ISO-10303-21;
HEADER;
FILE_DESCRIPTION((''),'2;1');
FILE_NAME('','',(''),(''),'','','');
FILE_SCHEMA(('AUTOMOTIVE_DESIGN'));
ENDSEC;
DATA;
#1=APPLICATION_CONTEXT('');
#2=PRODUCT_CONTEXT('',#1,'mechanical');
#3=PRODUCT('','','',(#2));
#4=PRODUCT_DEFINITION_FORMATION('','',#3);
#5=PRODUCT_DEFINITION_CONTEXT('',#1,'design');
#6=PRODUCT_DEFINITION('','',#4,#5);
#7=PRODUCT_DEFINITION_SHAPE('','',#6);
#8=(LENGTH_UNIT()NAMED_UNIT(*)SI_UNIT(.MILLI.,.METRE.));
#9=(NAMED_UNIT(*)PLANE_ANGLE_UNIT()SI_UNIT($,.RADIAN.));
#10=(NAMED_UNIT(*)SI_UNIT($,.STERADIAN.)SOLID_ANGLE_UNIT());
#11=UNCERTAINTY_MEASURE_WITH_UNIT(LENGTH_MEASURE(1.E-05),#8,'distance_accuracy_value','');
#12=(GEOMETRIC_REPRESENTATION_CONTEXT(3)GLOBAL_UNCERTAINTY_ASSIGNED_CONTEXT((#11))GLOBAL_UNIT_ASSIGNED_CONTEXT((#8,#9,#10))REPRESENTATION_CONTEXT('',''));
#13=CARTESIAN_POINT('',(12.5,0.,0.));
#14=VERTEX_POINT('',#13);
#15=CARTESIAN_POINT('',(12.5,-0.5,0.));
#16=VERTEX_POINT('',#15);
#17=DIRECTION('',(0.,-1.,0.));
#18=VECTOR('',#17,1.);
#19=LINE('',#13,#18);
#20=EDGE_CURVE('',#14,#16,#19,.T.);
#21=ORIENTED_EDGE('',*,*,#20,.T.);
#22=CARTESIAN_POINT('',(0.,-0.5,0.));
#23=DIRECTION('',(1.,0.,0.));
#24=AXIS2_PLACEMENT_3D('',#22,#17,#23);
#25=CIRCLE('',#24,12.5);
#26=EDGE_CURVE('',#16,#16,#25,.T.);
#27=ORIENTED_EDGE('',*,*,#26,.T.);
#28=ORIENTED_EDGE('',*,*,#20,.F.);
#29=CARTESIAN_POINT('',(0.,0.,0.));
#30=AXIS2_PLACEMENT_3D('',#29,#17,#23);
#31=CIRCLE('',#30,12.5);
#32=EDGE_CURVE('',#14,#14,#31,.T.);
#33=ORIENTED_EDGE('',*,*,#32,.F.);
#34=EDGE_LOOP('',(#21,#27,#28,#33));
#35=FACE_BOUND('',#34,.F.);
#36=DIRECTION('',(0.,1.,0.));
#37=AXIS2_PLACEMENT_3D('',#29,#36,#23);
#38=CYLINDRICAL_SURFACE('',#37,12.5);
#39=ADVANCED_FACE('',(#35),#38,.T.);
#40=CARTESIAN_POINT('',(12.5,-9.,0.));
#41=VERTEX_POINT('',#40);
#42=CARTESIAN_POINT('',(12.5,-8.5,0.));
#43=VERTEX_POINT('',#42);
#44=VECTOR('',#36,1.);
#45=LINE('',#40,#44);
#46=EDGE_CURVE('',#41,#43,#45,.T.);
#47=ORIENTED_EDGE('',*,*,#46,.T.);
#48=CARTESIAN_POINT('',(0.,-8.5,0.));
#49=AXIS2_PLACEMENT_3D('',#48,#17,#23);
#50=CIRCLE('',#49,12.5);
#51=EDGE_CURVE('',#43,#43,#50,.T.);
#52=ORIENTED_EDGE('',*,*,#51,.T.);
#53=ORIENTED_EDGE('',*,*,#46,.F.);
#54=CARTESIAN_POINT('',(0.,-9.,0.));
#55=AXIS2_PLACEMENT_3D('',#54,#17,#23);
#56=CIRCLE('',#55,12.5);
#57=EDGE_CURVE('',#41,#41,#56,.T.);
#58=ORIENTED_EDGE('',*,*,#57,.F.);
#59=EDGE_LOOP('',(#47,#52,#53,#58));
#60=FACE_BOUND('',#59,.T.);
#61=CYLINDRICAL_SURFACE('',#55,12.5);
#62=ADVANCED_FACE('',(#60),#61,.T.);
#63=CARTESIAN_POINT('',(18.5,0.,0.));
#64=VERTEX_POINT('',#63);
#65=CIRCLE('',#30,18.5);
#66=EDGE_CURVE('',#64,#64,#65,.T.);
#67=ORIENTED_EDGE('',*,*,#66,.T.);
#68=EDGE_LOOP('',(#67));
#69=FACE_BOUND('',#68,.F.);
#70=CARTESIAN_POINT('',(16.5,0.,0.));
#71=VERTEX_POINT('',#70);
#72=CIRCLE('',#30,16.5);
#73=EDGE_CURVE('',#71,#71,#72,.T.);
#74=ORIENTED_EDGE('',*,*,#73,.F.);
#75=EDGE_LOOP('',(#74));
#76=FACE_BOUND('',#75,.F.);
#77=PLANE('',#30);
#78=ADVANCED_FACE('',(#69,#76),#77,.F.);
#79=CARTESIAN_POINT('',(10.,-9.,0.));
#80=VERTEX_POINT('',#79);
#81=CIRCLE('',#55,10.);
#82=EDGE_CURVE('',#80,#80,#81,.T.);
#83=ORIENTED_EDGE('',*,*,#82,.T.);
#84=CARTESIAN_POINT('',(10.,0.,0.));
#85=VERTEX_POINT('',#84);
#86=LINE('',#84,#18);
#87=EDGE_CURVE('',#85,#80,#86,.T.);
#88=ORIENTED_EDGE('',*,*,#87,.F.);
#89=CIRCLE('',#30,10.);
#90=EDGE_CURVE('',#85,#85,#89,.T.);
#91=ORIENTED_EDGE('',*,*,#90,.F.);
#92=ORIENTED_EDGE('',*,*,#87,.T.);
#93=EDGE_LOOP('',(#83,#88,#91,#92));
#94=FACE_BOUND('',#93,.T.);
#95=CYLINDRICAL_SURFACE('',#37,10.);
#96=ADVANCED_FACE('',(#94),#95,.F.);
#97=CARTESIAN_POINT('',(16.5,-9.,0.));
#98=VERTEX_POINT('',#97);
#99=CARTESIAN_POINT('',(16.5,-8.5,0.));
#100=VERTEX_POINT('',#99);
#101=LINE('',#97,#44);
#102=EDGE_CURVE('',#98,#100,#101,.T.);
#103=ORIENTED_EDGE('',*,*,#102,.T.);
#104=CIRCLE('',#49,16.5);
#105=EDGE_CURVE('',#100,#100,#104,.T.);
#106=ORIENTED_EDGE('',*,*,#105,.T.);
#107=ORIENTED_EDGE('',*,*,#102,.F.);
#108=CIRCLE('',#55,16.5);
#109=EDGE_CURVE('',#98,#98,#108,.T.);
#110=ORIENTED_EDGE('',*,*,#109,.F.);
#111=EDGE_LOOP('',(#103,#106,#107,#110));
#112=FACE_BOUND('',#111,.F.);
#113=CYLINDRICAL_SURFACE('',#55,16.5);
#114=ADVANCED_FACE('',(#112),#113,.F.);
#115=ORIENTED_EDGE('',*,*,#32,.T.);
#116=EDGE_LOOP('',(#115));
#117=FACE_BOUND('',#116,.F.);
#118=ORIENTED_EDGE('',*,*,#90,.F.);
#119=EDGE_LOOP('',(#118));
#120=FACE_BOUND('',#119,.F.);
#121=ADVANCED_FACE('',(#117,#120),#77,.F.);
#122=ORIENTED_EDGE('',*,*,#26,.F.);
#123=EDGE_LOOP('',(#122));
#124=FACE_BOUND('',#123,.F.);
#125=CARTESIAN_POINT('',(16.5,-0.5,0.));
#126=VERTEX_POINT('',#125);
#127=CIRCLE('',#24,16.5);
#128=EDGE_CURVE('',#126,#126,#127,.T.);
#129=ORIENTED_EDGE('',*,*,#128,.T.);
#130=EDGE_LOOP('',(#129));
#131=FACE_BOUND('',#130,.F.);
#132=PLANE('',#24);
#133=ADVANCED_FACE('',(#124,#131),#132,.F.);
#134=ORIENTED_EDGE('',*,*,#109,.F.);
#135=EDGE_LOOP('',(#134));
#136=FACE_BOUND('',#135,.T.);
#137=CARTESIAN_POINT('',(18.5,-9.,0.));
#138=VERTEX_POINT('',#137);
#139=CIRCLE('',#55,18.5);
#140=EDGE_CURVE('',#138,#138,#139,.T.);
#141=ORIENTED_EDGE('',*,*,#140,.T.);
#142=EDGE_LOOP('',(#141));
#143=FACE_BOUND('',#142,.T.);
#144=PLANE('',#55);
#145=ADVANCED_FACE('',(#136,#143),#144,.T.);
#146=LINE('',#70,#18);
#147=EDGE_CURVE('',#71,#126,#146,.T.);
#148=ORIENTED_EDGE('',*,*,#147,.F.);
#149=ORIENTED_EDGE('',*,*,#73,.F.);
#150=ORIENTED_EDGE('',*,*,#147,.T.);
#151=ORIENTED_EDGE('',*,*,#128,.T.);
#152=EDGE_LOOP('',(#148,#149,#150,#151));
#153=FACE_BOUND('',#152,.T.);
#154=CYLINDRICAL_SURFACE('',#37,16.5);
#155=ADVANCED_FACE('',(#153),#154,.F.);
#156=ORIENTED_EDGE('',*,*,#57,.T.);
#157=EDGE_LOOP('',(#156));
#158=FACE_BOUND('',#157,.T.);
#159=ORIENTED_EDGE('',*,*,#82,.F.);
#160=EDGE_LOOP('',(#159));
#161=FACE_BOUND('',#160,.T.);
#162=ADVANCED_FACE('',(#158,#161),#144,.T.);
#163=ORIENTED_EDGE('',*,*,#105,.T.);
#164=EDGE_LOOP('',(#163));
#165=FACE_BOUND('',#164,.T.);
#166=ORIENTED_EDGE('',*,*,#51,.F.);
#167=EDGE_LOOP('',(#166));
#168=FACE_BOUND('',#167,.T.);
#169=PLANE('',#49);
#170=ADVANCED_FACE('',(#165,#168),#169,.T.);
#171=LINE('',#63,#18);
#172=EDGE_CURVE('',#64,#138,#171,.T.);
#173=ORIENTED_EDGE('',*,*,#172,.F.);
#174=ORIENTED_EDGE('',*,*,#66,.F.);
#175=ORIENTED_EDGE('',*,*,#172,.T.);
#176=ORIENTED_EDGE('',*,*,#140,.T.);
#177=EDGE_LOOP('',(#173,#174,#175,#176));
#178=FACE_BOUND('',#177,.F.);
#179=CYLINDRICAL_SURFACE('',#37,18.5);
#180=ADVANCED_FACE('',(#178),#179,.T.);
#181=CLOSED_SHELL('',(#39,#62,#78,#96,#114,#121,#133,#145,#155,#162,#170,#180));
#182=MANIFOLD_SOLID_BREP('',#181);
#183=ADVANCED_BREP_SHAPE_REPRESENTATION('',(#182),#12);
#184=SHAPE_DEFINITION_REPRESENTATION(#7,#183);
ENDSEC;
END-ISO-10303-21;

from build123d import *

# Parameters (mm, degrees)
F0_R     = 18.5
F0_R_2   = 10
F1_DEPTH = 9
F2_R     = 16.5
F2_R_2   = 12.5
F3_DEPTH = 0.5
F4_R     = 16.5
F4_R_2   = 12.5
F5_DEPTH = 0.5


with BuildPart() as f1:
    # F0 (on Front) → F1 (new body)
    with BuildSketch(Plane.XZ):
        Circle(F0_R)
        Circle(F0_R_2, mode=Mode.SUBTRACT)
    extrude(amount=F1_DEPTH)

    # F2 (on face) → F3 (cut)
    with BuildSketch(Plane.XZ.offset(9)):
        Circle(F2_R)
        Circle(F2_R_2, mode=Mode.SUBTRACT)
    extrude(amount=-F3_DEPTH, mode=Mode.SUBTRACT)

    # F4 (on Front) → F5 (cut)
    with BuildSketch(Plane.XZ):
        Circle(F4_R)
        Circle(F4_R_2, mode=Mode.SUBTRACT)
    extrude(amount=F5_DEPTH, mode=Mode.SUBTRACT)


solid = f1.part
